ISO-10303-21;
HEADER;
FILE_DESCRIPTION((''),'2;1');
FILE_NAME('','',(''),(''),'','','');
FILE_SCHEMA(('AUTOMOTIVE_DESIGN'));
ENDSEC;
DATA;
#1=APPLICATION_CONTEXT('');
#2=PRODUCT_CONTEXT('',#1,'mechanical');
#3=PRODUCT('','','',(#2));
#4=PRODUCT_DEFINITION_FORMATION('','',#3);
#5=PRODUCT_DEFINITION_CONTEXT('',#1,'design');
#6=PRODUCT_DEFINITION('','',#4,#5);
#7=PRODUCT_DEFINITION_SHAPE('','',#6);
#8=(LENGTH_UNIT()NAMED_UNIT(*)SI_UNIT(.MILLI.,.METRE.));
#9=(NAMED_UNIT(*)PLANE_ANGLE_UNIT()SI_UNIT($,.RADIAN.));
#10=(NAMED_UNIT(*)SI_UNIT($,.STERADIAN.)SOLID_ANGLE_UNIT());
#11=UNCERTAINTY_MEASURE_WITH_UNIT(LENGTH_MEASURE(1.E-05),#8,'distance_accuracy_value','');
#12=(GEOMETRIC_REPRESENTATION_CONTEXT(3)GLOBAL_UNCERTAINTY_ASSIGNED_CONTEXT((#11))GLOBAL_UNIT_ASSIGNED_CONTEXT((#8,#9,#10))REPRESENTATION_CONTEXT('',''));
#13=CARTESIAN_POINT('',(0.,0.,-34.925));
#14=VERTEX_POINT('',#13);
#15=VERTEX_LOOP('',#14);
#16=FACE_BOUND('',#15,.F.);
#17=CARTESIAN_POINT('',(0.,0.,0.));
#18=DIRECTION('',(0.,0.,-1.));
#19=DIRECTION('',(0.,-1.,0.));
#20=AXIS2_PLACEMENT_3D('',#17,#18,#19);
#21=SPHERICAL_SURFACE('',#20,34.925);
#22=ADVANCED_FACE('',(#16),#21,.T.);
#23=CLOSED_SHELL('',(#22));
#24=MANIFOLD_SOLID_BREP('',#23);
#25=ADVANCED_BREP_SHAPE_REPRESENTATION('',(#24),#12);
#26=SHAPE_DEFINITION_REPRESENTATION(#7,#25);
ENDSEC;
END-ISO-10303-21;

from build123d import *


with BuildPart() as f1:
    # F0 (on Right) → F1 (revolve)
    with BuildSketch(Plane.YZ):
        with BuildLine():
            Line((0, -34.925), (0, 34.925))
            ThreePointArc((0, 34.925), (-34.925, 0), (0, -34.925))
        make_face()
    revolve(axis=Axis((0, 0, 6.740966), (0, 0, 1)))


solid = f1.part
